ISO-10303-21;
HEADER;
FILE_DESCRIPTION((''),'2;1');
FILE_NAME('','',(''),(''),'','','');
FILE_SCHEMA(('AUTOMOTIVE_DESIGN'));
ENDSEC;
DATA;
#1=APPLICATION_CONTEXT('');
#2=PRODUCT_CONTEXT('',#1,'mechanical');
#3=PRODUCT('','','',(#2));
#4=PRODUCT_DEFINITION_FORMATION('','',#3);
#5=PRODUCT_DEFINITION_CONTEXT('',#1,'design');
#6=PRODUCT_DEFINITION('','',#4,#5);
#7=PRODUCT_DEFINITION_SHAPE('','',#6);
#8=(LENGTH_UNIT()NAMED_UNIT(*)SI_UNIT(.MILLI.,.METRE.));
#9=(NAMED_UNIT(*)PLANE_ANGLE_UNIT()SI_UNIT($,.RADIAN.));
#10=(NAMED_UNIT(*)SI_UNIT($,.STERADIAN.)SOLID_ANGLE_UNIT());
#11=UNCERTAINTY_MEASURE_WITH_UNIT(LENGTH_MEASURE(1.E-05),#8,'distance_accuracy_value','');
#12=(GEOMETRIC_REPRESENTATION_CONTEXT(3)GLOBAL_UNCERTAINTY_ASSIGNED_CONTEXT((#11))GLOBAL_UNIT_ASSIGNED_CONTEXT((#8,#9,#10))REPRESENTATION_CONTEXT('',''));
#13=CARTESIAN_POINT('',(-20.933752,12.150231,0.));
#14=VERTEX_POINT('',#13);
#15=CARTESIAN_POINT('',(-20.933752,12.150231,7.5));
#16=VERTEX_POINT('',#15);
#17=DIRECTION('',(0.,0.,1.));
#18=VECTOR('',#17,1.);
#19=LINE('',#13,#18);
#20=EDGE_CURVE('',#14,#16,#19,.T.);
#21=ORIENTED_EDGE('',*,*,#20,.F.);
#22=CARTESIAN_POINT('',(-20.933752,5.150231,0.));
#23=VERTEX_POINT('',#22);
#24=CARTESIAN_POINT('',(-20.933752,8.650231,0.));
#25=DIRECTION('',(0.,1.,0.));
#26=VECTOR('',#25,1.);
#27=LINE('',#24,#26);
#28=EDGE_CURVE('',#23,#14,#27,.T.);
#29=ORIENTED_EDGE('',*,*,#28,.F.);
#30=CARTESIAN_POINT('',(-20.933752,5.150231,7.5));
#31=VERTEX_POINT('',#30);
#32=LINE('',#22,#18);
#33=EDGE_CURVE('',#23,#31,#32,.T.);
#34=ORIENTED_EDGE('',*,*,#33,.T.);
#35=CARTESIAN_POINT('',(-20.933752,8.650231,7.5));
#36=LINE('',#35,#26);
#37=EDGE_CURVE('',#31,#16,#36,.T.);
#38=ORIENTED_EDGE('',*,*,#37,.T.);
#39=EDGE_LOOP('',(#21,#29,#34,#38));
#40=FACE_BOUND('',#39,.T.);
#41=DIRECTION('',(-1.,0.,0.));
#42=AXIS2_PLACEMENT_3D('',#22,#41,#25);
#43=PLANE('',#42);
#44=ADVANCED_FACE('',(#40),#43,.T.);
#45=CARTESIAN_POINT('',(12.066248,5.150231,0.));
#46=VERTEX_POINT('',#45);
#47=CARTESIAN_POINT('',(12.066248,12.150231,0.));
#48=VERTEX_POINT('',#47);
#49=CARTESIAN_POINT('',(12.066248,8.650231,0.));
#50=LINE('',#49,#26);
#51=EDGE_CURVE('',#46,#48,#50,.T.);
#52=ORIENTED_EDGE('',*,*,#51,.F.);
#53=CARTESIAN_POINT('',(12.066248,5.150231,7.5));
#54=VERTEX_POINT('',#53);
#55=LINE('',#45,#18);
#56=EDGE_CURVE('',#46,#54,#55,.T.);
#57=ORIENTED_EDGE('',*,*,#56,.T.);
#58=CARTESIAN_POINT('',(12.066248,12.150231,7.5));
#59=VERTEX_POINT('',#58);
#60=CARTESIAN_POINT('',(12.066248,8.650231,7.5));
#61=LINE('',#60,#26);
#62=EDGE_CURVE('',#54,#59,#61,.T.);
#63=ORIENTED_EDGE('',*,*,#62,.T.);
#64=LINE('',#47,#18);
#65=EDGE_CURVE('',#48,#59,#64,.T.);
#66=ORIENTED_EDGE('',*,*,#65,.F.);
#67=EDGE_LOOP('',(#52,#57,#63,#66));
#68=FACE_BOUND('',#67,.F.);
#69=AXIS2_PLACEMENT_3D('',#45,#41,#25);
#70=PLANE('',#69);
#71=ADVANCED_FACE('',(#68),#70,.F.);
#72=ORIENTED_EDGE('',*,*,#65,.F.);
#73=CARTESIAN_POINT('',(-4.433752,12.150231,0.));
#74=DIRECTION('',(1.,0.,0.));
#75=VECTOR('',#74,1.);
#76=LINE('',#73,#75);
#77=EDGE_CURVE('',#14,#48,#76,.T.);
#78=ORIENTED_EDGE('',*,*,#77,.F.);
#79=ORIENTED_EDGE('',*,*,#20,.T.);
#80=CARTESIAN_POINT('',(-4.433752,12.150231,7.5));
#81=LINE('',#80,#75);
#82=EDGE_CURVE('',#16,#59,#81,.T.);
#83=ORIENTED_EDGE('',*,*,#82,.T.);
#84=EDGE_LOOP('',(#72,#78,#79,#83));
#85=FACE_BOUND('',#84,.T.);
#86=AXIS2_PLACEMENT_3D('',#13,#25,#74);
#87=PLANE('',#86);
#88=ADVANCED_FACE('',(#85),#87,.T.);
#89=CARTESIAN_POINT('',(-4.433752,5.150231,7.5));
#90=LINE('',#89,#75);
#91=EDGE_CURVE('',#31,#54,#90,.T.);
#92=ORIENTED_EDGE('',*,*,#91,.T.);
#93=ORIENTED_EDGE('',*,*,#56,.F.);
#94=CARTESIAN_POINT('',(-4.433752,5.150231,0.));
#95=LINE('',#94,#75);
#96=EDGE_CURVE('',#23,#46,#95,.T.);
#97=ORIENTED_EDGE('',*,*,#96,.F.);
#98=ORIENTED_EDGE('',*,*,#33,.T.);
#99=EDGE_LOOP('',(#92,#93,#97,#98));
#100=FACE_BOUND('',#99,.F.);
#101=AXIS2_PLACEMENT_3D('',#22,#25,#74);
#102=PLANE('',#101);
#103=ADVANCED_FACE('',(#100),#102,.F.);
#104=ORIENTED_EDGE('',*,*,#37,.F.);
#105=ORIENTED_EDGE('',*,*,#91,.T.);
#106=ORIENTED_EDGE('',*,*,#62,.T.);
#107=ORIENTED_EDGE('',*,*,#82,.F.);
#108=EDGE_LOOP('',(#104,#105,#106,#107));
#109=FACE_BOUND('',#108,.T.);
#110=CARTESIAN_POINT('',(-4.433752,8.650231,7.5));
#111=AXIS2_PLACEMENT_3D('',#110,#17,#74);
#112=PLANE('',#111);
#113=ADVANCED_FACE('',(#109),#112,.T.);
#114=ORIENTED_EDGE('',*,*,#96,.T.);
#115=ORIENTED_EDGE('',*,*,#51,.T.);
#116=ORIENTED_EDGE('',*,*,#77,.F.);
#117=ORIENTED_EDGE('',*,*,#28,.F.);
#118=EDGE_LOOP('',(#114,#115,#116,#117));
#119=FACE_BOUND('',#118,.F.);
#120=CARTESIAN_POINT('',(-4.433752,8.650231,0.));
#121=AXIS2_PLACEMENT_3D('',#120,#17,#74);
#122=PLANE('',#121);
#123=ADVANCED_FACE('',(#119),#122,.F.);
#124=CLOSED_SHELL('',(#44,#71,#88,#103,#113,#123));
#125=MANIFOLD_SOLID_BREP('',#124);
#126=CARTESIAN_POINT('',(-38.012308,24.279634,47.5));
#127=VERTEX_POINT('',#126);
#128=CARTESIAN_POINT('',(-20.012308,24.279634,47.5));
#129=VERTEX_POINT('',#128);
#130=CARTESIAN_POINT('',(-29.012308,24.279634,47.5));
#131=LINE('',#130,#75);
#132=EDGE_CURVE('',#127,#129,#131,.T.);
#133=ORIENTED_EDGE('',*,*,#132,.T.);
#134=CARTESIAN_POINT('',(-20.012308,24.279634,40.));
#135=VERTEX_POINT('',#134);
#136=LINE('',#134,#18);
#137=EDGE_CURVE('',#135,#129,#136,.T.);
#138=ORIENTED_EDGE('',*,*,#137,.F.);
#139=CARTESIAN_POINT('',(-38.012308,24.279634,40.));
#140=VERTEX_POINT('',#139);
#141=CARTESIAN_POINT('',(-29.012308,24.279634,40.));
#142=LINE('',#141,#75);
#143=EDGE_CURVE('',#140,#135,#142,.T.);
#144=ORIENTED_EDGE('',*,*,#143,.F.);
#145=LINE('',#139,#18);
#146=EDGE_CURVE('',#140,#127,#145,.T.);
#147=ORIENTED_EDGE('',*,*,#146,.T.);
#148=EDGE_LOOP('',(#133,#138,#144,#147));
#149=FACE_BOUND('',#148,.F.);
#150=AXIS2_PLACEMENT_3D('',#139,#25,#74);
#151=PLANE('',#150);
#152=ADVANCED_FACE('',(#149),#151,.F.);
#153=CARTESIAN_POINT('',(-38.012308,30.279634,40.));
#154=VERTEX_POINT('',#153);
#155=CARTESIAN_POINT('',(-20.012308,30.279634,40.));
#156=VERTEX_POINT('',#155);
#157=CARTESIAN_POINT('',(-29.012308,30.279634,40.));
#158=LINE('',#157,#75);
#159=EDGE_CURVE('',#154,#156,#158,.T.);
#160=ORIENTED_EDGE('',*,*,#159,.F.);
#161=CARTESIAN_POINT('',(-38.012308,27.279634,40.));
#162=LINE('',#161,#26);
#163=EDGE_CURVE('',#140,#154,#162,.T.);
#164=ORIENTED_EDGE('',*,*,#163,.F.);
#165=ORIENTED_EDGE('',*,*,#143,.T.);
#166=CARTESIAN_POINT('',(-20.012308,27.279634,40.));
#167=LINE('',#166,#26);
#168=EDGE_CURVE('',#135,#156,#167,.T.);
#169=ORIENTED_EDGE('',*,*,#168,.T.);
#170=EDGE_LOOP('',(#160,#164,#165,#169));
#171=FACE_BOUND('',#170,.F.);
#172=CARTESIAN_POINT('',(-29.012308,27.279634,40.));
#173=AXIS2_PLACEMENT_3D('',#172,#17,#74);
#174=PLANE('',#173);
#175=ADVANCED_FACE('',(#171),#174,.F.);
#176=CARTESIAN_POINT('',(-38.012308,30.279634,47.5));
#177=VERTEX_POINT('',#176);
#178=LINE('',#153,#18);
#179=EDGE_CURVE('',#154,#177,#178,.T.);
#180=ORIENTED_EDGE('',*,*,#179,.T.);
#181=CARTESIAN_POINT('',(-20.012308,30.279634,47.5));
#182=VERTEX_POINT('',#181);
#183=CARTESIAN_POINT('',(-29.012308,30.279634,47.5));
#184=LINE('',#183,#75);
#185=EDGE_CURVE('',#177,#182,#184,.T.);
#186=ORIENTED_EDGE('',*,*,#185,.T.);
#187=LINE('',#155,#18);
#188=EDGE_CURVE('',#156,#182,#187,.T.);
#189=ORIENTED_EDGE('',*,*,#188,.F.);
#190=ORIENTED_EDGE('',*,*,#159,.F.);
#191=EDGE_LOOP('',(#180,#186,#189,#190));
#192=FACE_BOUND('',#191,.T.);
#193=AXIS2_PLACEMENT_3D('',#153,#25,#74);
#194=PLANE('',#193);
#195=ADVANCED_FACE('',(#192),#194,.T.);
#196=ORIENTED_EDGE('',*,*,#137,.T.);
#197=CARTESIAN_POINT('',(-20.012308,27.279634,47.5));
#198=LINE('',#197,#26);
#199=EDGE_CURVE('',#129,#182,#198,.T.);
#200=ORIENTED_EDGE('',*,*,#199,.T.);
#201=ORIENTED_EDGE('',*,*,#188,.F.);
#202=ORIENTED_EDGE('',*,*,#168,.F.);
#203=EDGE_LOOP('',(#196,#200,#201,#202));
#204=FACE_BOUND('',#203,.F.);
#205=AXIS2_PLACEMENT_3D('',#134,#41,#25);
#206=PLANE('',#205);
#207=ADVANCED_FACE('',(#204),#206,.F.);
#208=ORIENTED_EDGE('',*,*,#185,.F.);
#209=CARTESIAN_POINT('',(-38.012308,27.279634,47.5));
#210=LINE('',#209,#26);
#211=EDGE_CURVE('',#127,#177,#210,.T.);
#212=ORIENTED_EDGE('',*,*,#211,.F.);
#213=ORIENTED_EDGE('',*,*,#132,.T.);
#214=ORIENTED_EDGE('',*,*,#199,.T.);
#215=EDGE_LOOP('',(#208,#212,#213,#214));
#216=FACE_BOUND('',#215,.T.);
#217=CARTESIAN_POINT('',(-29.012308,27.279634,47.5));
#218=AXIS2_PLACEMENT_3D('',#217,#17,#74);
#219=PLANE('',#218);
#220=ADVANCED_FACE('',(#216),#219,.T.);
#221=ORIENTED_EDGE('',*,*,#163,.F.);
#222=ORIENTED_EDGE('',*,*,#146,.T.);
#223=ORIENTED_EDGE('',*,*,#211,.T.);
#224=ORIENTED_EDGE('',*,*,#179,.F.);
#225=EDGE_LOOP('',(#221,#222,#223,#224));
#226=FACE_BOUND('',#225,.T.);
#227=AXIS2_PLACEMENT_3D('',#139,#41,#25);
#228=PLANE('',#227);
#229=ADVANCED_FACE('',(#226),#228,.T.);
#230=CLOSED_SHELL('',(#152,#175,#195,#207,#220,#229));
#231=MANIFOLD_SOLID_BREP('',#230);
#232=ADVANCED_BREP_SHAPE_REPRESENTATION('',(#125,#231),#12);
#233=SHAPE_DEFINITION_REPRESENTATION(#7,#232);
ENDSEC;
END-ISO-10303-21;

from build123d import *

# Parameters (mm, degrees)
F0_W     = 33
F0_H     = 7
F1_DEPTH = 7.5
F3_W     = 18
F3_H     = 6
F4_DEPTH = 7.5


with BuildPart() as f1:
    # F0 (on Top) → F1 (new body)
    with BuildSketch(Plane.XY):
        with Locations((-4.433752, 8.650231)):
            Rectangle(F0_W, F0_H)
    extrude(amount=F1_DEPTH)


with BuildPart() as f4:
    # F3 (on offset) → F4 (new body)
    with BuildSketch(Plane.XY.offset(40)):
        with Locations((-29.012308, 27.279634)):
            Rectangle(F3_W, F3_H)
    extrude(amount=F4_DEPTH)


solid = Compound([f1.part, f4.part])
